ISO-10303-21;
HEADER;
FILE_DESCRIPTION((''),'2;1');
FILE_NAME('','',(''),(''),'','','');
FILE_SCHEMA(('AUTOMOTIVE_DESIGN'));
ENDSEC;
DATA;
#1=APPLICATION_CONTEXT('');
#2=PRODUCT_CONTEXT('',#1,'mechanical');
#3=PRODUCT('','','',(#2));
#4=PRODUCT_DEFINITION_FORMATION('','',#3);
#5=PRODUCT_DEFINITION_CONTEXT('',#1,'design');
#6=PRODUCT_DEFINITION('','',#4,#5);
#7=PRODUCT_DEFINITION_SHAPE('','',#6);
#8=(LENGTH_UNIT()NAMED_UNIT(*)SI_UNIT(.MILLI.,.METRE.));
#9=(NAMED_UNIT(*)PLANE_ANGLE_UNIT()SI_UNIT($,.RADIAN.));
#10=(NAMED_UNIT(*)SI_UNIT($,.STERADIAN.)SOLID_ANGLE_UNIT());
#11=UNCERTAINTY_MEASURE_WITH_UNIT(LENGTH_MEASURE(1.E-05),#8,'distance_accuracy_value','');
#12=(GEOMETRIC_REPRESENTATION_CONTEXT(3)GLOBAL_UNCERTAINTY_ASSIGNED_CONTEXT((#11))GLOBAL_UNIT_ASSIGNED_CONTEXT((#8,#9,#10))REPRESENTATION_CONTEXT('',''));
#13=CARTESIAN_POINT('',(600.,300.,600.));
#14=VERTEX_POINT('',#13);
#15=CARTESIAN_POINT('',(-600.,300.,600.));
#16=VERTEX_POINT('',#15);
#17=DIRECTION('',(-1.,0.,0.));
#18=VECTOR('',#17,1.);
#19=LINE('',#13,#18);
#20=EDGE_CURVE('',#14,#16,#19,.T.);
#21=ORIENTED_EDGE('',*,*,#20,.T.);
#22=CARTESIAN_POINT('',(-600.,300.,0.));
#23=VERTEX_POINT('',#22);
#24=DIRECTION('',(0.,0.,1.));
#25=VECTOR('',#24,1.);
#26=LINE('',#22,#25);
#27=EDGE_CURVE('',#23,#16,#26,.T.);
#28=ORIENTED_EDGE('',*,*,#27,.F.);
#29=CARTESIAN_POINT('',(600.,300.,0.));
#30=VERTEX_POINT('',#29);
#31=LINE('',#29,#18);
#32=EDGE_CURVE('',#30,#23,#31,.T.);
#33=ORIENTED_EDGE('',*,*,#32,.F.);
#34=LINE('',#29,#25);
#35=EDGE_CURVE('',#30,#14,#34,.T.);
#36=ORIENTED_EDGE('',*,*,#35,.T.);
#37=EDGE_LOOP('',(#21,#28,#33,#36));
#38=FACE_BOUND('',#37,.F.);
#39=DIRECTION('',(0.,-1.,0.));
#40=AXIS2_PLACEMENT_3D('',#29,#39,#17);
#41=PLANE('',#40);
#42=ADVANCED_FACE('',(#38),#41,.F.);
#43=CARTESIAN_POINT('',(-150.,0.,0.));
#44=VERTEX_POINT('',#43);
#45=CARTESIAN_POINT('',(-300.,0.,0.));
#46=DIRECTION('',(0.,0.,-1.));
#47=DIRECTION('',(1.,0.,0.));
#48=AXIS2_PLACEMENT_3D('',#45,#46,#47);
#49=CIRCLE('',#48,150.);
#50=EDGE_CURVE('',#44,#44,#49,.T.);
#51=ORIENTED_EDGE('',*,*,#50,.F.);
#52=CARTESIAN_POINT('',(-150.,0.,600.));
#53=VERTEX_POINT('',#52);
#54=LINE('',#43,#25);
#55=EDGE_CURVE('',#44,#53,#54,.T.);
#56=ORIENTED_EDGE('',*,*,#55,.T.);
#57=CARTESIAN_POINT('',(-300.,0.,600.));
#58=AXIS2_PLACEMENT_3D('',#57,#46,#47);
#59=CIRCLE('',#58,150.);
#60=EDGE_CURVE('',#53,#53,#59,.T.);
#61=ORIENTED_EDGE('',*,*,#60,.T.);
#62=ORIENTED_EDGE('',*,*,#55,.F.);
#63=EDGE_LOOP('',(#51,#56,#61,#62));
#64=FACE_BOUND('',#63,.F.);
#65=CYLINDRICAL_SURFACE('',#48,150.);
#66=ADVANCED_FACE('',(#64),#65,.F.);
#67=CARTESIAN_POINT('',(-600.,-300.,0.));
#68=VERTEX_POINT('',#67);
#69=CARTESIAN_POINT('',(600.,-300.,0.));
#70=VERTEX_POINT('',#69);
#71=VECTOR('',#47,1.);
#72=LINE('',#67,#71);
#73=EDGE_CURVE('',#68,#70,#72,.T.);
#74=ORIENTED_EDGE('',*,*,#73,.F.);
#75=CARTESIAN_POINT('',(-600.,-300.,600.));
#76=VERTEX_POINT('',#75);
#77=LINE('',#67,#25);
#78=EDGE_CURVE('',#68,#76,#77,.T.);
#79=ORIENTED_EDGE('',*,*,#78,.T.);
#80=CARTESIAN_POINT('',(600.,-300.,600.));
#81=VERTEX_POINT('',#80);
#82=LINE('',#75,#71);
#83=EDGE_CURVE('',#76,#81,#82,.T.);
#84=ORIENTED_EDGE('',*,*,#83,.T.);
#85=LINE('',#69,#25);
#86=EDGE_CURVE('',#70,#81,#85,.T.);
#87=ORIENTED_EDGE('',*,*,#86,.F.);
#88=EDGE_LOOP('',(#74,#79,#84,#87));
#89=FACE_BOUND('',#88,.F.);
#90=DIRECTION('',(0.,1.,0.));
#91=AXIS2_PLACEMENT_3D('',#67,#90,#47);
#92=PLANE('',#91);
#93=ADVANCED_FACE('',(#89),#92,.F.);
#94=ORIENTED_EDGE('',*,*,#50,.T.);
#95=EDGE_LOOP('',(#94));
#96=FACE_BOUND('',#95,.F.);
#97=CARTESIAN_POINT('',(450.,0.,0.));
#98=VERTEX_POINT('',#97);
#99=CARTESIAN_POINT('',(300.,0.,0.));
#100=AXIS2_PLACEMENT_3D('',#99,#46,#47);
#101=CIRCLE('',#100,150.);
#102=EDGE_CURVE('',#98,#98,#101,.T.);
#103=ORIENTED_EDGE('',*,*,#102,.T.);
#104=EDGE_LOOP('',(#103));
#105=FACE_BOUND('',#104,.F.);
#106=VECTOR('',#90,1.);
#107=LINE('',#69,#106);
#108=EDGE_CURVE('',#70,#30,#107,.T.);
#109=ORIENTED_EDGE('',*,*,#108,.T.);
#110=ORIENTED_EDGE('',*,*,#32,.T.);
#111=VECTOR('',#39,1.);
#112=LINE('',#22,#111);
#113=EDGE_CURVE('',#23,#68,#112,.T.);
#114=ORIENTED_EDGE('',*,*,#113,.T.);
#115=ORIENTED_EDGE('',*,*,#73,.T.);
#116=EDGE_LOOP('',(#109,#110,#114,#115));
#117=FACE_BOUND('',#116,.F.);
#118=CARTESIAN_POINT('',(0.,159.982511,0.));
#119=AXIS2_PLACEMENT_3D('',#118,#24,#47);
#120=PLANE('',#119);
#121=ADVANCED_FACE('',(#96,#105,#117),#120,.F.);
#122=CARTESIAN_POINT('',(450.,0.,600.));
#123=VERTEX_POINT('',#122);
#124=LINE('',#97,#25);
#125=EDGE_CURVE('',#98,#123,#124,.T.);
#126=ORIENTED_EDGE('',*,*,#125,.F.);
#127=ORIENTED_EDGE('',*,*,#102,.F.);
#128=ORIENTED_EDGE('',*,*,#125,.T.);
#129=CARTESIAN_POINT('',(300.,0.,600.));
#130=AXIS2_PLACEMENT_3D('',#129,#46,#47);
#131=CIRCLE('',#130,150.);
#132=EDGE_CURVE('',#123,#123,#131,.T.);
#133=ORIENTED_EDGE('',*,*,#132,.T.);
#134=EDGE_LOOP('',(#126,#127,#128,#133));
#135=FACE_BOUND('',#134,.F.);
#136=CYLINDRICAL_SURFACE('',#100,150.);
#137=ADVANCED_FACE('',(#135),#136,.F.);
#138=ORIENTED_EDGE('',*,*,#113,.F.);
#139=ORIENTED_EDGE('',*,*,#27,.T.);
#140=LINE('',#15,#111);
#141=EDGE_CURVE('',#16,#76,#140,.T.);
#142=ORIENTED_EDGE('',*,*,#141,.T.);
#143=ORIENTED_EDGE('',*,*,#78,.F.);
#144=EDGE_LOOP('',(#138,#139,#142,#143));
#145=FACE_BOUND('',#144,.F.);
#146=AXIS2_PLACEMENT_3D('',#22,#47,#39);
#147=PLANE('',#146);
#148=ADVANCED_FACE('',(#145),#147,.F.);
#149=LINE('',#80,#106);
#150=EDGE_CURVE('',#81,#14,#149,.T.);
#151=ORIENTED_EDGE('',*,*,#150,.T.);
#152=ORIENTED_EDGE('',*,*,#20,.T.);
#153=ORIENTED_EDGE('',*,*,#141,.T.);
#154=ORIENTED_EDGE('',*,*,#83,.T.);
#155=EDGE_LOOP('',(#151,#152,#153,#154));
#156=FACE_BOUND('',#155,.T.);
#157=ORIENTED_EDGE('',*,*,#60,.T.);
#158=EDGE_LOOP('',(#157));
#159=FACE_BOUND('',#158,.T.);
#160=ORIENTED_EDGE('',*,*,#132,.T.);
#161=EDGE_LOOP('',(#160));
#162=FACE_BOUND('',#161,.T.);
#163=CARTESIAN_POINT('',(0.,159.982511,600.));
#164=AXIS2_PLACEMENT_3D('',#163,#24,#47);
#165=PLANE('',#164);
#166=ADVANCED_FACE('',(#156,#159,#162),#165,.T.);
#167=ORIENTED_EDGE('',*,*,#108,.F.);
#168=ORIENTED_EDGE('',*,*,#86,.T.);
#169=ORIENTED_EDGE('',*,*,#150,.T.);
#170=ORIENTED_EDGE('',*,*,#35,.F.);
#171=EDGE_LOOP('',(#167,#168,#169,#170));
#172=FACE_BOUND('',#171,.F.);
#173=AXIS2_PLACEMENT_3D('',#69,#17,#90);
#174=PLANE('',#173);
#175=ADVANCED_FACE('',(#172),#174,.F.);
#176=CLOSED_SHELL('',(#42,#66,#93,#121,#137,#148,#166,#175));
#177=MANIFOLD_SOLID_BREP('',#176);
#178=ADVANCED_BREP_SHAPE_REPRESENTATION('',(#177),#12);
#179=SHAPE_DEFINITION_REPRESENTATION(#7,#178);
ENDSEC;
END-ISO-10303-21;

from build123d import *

# Parameters (mm, degrees)
F1_DEPTH = 600


with BuildPart() as f1:
    # F0 (on Top) → F1 (new body)
    with BuildSketch(Plane.XY):
        with BuildLine():
            ThreePointArc((150, 0), (300, 150), (450, 0))
            Line((450, 0), (600, 0))
            Line((600, 0), (600, 300))
            Line((600, 300), (-600, 300))
            Line((-600, 300), (-600, 0))
            Line((-600, 0), (-450, 0))
            ThreePointArc((-450, 0), (-300, 150), (-150, 0))
            Line((-150, 0), (0, 0))
            Line((0, 0), (150, 0))
        make_face()
        with BuildLine():
            Line((600, 0), (450, 0))
            ThreePointArc((450, 0), (300, -150), (150, 0))
            Line((150, 0), (0, 0))
            Line((0, 0), (-150, 0))
            ThreePointArc((-150, 0), (-300, -150), (-450, 0))
            Line((-450, 0), (-600, 0))
            Line((-600, 0), (-600, -300))
            Line((-600, -300), (600, -300))
            Line((600, -300), (600, 0))
        make_face()
    extrude(amount=F1_DEPTH)


solid = f1.part
